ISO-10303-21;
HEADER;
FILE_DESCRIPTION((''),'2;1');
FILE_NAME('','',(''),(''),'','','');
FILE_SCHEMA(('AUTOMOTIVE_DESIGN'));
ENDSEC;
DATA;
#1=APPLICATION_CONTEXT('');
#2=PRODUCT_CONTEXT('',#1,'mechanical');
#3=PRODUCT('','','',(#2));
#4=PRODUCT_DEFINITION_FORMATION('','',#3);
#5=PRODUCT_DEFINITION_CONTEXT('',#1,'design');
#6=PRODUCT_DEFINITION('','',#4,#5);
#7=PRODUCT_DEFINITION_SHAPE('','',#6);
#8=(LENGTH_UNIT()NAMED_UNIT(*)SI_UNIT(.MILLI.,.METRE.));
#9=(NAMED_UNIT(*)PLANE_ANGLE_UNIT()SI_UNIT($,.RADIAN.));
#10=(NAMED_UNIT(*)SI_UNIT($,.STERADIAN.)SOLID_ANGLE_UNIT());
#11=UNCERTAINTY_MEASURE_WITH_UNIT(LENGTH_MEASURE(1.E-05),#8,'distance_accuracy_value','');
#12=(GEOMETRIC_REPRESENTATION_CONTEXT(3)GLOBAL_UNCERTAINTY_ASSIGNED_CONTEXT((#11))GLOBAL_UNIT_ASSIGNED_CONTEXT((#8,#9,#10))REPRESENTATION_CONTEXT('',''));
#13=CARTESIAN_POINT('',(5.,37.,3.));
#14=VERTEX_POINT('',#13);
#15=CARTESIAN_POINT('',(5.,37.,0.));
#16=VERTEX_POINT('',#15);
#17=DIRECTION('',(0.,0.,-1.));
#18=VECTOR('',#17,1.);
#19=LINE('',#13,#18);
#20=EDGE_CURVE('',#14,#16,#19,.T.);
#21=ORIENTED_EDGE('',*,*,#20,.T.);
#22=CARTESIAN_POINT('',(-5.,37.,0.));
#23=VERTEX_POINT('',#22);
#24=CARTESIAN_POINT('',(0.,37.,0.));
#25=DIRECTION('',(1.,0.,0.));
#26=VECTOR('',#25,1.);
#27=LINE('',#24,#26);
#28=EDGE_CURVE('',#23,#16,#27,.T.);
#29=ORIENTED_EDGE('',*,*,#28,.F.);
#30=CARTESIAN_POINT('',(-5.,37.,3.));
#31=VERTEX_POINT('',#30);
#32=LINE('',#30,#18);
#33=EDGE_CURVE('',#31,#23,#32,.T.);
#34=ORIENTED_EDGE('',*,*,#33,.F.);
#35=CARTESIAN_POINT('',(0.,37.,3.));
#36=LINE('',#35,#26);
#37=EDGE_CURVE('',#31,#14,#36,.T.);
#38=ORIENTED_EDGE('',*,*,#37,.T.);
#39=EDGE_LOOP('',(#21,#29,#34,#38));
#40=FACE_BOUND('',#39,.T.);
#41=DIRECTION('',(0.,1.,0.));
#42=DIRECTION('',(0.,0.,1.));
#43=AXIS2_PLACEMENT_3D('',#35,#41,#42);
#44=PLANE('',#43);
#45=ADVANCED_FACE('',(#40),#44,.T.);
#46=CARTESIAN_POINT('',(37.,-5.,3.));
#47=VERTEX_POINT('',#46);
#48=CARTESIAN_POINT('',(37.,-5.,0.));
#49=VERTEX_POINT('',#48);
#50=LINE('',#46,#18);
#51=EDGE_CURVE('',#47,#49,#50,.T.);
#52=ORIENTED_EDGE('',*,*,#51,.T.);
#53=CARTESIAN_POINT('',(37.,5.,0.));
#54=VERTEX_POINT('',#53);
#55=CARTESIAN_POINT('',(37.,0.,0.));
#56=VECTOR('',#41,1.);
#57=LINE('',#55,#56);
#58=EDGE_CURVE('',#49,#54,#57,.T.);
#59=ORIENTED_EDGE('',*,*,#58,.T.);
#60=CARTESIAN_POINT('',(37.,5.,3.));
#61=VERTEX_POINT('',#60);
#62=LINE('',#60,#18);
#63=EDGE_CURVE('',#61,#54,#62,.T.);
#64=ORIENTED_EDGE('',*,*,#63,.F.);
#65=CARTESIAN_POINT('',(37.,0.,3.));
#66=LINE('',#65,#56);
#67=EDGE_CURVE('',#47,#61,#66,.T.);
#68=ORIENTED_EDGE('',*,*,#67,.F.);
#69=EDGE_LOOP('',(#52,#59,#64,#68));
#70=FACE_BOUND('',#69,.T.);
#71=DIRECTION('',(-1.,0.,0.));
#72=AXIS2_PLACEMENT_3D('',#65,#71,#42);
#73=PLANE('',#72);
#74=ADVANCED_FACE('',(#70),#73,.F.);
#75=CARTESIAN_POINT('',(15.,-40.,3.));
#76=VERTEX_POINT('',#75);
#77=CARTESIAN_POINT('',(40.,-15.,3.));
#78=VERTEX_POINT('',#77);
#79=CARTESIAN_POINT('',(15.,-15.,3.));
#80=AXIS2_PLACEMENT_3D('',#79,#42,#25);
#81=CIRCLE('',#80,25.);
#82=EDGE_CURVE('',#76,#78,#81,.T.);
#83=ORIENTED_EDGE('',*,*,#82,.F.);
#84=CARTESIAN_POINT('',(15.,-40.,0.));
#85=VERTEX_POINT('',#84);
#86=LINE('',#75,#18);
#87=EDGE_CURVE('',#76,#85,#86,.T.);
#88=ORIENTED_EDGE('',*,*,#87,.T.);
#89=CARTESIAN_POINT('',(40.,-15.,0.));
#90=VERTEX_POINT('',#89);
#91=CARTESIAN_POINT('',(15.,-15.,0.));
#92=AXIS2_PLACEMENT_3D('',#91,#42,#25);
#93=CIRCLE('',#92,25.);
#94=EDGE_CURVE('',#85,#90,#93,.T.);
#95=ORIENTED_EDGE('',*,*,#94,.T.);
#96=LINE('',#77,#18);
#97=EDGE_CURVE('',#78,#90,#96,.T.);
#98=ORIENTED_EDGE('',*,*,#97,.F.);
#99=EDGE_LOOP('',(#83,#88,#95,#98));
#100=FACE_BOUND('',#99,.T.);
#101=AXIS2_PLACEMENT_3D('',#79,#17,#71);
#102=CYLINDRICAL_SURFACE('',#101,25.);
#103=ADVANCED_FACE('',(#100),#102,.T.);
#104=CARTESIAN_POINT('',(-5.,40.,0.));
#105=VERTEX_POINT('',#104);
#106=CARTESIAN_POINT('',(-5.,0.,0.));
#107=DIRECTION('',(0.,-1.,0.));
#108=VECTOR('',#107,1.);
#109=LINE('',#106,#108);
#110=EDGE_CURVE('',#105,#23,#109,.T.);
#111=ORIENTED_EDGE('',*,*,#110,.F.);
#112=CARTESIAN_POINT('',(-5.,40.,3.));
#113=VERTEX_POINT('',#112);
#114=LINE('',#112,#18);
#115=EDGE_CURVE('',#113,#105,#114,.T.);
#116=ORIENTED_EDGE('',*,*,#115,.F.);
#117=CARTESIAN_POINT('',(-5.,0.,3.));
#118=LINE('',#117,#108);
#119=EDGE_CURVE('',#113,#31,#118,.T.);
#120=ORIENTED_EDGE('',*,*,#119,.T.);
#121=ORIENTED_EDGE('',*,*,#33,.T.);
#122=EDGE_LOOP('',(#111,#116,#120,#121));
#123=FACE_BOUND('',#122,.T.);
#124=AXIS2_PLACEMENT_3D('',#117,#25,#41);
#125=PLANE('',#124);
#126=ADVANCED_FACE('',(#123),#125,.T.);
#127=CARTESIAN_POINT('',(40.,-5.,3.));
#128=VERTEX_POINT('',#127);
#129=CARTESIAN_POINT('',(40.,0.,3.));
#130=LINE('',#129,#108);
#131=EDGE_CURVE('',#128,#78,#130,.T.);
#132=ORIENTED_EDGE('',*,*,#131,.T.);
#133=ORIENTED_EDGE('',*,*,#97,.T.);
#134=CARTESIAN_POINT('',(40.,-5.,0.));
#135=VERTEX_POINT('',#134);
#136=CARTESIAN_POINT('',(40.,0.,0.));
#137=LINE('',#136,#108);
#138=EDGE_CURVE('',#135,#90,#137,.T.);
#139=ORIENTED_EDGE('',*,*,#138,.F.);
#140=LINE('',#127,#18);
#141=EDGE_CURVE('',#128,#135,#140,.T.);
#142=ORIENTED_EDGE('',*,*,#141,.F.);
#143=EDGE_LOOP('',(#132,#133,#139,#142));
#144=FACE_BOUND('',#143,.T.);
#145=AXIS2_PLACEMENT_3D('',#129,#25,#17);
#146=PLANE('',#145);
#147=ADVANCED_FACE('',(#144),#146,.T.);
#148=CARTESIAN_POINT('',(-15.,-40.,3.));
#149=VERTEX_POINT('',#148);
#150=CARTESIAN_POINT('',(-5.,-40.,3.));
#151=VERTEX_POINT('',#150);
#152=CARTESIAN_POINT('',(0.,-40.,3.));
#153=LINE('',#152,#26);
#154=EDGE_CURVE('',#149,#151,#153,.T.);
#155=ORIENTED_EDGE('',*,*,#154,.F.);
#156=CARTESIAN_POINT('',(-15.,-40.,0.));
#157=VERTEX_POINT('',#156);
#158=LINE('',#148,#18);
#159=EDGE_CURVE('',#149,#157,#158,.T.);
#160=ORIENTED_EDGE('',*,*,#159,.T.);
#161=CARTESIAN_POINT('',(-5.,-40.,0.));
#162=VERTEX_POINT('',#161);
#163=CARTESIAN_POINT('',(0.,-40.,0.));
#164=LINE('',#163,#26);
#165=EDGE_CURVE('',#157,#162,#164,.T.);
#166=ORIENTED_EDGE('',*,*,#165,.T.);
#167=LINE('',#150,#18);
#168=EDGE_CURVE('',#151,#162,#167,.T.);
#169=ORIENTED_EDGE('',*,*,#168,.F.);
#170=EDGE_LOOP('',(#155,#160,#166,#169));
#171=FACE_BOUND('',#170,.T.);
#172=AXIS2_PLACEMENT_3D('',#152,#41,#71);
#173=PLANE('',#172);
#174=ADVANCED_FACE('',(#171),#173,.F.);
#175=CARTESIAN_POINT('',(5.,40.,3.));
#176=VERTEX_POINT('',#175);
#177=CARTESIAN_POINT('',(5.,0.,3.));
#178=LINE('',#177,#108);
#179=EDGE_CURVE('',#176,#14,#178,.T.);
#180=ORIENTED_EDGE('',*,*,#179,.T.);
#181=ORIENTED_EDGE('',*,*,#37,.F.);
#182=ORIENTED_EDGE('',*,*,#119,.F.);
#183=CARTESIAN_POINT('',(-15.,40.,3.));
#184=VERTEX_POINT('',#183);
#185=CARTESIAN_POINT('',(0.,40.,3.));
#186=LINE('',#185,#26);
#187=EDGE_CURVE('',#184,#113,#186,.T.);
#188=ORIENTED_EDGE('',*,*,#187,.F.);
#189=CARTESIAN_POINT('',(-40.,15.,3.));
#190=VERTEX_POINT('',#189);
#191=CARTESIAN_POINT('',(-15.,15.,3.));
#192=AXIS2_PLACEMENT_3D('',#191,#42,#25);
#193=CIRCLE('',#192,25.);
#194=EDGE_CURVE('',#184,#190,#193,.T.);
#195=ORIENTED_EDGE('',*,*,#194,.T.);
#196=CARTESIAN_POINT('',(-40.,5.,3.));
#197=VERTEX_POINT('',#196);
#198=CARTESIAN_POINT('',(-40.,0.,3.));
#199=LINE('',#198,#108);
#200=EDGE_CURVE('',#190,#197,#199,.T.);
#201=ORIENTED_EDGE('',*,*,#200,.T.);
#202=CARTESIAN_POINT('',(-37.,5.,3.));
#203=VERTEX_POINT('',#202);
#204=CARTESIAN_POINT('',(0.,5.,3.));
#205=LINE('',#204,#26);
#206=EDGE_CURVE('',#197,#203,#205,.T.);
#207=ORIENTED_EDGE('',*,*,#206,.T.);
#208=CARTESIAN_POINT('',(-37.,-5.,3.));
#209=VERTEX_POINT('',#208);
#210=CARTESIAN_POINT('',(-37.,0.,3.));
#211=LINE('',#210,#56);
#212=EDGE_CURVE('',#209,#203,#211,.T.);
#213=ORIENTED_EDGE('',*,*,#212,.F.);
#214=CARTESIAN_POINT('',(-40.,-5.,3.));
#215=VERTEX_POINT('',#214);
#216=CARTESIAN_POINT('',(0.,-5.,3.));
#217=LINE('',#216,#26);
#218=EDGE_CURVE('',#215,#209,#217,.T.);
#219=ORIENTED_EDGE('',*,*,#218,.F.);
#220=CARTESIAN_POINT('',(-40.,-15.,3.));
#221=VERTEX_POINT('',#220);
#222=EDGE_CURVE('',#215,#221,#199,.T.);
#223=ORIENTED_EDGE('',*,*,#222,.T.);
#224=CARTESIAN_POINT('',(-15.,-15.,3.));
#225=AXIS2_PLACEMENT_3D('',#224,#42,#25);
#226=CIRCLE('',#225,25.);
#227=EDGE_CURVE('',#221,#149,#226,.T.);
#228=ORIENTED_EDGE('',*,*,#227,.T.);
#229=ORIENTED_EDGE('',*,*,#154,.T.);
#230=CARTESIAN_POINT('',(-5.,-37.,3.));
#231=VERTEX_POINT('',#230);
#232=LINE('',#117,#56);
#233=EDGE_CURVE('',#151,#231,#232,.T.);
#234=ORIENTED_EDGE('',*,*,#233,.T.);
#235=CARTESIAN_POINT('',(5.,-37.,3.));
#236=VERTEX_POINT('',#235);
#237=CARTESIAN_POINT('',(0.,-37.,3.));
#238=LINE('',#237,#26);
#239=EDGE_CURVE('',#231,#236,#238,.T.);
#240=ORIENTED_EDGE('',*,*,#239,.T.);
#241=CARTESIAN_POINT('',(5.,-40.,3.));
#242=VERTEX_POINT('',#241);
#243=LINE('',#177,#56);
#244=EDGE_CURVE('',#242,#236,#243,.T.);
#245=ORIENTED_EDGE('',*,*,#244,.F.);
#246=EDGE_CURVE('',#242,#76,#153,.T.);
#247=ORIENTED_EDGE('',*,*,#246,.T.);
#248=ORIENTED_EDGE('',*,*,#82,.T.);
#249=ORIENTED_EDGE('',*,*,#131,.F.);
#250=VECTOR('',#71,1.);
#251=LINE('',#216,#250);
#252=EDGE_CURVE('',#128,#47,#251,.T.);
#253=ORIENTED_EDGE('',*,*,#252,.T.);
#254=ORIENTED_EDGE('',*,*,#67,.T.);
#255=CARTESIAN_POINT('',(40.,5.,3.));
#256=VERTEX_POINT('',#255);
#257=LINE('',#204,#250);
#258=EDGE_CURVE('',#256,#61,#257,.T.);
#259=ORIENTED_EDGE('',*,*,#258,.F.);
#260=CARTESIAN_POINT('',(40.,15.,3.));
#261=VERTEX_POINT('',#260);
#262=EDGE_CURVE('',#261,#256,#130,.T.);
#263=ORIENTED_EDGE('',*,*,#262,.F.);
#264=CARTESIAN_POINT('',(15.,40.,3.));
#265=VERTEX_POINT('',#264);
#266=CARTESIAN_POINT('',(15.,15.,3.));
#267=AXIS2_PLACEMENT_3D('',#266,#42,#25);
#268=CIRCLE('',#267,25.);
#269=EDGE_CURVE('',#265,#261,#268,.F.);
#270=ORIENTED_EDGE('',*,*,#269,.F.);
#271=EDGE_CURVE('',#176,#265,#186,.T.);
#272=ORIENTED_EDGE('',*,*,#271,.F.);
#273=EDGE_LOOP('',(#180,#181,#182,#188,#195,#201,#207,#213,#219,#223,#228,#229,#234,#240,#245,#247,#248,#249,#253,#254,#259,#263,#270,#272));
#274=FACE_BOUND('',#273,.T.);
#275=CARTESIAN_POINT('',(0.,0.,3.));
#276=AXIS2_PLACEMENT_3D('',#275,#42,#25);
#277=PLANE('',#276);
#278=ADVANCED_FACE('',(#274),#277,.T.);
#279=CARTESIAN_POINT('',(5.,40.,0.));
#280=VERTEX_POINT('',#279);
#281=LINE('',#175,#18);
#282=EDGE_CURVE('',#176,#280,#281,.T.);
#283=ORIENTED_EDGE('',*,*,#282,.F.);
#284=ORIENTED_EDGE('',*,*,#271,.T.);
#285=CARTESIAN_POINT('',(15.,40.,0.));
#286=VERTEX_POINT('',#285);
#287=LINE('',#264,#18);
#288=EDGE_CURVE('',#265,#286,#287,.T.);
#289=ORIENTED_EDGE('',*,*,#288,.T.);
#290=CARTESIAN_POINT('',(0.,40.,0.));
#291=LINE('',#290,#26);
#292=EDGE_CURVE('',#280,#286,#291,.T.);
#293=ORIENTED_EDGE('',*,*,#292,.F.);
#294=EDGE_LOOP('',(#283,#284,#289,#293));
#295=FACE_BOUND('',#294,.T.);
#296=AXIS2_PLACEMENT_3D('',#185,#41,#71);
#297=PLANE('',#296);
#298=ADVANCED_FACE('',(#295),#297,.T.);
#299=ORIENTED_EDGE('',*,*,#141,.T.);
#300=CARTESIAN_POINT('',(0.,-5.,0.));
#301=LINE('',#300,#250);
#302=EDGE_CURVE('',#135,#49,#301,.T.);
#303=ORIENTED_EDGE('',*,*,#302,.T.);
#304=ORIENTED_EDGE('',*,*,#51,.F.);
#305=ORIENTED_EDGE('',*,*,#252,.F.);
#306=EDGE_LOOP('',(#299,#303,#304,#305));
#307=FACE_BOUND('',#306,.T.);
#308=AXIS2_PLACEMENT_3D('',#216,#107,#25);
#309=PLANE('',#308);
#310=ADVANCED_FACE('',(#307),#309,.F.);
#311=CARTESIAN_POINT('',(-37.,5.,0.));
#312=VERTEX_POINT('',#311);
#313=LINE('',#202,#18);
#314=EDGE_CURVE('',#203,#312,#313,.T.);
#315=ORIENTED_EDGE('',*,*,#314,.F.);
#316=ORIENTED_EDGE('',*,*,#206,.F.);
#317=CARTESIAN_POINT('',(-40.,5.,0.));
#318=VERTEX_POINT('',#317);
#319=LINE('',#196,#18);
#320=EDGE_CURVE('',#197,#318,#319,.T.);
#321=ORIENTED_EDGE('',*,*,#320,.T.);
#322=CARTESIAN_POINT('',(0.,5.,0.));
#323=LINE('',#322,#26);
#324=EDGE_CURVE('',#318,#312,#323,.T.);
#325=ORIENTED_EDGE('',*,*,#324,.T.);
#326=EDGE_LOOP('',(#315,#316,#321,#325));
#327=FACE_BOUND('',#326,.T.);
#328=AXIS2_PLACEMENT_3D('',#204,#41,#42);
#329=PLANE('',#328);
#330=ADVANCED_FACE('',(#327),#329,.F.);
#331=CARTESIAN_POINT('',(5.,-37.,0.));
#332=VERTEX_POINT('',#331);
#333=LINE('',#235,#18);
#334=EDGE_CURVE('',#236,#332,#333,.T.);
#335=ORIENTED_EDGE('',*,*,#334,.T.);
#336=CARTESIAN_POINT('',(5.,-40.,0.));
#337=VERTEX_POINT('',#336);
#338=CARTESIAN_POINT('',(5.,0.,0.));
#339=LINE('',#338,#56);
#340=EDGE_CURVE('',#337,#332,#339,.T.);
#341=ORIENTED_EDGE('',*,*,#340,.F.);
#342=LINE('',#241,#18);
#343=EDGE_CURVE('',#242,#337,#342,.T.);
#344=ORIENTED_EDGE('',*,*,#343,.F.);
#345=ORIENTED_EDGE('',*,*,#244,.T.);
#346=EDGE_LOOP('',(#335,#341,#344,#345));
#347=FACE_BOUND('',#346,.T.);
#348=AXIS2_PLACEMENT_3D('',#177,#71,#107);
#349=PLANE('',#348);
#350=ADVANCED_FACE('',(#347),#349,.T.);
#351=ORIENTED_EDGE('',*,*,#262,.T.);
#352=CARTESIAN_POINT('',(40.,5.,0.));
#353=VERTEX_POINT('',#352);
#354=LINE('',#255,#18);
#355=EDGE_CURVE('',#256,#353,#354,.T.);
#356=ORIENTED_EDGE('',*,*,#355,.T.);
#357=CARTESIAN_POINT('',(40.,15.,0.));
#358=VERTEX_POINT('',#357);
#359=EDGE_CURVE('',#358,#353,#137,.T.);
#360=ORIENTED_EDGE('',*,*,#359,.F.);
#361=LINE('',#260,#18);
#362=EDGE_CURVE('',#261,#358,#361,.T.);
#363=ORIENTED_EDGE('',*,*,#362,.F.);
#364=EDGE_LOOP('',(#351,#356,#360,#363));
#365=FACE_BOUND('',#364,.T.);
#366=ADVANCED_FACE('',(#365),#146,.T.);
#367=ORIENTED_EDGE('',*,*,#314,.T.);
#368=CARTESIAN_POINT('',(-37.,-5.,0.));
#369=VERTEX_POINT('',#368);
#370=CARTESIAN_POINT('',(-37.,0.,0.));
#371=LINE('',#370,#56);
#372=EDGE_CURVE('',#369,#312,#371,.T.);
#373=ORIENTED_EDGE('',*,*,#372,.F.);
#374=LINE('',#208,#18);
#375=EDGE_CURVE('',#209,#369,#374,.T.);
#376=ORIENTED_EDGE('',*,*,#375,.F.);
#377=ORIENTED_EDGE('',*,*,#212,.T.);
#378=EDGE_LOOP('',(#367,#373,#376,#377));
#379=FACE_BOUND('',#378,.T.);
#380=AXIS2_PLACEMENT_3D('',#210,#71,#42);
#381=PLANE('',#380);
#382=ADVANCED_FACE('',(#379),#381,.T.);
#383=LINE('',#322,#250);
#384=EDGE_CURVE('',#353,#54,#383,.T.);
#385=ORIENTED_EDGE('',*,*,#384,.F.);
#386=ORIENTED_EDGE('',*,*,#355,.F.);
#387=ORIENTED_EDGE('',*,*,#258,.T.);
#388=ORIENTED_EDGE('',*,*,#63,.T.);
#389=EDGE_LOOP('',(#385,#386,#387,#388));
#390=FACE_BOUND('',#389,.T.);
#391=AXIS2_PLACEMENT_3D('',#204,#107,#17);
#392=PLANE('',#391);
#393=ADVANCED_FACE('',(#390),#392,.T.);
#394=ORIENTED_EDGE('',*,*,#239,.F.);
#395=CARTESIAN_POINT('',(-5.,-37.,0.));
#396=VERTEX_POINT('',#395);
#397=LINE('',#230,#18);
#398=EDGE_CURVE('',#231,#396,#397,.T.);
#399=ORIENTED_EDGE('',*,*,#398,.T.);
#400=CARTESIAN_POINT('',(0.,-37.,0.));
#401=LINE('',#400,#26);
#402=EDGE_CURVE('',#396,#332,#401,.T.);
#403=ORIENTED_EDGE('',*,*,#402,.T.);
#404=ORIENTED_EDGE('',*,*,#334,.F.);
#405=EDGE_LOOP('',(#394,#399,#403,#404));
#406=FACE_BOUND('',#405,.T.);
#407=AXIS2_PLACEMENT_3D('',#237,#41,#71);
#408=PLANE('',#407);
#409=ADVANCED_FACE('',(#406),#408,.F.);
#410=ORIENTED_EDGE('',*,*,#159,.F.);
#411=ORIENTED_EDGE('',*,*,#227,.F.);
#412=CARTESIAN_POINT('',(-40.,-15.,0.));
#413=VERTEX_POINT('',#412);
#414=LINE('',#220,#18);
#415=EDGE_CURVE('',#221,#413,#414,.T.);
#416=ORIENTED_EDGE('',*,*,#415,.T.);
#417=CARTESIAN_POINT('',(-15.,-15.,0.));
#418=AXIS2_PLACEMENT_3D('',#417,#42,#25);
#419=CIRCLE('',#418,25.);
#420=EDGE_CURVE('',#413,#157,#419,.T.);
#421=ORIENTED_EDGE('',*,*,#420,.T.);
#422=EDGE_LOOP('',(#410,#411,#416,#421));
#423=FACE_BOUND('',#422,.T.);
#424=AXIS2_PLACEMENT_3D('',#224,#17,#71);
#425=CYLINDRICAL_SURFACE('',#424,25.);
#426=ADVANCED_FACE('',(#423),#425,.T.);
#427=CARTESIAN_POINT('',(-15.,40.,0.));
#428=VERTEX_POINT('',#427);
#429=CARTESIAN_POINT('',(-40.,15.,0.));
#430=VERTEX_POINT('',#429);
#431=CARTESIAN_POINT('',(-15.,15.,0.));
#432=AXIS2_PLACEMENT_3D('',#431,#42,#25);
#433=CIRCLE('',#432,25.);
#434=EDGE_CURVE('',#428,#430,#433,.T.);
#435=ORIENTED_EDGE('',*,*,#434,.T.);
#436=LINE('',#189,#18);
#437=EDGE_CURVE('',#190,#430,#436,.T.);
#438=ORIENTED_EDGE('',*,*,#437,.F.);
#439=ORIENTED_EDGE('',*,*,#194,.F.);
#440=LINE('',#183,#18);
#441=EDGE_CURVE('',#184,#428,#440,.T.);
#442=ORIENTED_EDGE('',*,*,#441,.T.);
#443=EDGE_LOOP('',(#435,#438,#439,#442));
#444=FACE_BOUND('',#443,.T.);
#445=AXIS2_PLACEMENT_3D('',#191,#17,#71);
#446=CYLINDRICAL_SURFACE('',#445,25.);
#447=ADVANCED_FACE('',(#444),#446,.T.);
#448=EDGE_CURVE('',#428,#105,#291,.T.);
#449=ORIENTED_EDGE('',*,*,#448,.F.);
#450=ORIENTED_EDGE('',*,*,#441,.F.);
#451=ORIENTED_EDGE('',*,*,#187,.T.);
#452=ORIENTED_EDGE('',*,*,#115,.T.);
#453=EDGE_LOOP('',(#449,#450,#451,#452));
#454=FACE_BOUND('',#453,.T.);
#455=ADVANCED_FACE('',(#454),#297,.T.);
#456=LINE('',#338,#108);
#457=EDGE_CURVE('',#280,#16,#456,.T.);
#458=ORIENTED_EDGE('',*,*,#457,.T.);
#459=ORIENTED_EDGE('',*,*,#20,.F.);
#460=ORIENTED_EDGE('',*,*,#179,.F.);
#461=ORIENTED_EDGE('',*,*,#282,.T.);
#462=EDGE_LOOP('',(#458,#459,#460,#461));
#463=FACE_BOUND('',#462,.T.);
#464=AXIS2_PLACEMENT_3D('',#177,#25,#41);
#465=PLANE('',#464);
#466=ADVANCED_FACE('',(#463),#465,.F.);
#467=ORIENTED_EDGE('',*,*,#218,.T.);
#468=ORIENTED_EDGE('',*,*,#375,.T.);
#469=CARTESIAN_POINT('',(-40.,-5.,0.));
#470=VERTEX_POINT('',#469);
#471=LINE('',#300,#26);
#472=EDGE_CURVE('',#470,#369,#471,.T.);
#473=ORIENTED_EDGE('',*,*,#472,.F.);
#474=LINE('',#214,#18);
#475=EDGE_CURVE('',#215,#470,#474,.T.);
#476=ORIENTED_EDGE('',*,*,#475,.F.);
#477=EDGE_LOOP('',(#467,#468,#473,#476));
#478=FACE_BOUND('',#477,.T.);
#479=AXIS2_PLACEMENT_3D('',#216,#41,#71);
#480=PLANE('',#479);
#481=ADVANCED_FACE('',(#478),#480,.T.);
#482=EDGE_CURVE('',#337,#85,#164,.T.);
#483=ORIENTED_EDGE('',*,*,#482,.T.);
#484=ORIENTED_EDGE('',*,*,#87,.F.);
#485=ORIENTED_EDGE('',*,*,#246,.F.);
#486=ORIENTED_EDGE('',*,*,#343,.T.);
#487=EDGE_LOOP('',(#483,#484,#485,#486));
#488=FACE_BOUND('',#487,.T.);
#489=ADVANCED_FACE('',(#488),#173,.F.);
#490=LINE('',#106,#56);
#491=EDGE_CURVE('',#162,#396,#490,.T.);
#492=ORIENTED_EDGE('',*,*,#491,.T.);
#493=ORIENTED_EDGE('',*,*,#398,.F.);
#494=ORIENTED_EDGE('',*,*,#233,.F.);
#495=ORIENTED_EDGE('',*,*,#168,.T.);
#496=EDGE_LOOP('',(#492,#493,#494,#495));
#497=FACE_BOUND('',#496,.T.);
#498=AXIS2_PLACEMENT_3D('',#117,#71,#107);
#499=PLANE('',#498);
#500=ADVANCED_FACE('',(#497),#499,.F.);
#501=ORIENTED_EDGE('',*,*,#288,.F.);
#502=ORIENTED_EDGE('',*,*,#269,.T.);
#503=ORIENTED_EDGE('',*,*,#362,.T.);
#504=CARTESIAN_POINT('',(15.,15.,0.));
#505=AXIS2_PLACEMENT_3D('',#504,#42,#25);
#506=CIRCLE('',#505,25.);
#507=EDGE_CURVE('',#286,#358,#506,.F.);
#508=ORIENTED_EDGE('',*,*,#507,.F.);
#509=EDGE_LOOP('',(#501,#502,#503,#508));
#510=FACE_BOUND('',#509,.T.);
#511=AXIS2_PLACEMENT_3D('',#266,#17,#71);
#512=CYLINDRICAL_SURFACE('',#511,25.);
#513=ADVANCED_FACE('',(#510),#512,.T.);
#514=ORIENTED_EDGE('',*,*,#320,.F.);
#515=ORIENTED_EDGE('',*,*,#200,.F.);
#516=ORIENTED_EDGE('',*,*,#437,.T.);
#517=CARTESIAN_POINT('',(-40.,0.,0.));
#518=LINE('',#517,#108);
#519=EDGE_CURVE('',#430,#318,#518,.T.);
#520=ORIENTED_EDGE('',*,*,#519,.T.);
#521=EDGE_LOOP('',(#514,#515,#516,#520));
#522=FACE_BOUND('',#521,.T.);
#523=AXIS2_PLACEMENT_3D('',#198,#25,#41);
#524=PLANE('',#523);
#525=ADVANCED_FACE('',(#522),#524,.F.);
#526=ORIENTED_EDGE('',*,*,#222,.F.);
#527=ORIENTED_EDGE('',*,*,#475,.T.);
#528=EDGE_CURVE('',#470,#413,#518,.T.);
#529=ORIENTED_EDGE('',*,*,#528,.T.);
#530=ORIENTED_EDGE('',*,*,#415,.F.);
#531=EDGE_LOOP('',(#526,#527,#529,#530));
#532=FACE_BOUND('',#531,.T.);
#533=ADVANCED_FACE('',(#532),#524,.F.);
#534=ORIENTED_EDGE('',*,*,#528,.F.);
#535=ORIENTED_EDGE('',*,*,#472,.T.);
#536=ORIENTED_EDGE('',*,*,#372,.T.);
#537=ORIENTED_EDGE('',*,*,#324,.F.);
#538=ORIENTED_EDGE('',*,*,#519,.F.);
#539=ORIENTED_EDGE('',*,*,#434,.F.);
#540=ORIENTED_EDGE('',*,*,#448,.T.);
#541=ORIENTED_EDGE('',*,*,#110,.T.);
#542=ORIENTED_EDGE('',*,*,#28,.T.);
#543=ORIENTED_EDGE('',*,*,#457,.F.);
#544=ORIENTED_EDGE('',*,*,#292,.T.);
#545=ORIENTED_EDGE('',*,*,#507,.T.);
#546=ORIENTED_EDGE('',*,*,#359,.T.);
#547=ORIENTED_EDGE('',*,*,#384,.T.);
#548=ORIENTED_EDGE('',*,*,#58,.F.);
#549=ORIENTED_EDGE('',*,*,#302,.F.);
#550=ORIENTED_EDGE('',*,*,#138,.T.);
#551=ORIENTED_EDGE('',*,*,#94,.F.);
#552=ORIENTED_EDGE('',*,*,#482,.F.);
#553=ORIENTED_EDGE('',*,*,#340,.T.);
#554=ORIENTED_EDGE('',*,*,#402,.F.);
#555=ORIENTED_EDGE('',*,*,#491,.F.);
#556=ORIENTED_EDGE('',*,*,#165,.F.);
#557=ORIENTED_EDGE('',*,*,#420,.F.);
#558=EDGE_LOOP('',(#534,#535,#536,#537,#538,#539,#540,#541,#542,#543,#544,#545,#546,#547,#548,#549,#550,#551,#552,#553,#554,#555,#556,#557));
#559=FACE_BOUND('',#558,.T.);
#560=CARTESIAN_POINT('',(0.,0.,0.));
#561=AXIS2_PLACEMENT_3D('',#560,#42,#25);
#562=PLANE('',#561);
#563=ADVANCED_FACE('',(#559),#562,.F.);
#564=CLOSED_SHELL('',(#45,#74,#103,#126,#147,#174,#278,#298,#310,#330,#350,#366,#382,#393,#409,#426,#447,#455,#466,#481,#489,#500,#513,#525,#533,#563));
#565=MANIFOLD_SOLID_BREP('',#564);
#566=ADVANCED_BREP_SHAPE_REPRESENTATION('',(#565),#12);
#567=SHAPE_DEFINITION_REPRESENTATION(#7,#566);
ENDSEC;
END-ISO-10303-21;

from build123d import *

# Parameters (mm, degrees)
EXTRUDE_1_DEPTH = 3


with BuildPart() as part:
    # 草圖1 → 填料-伸長1 (new body)
    with BuildSketch(Plane.XY):
        with BuildLine():
            Line((-5, 40), (-15, 40))
            ThreePointArc((-15, 40), (-32.67766953, 32.67766953), (-40, 15))
            Line((-40, 15), (-40, 5))
            Line((-40, 5), (-37, 5))
            Line((-37, 5), (-37, -5))
            Line((-37, -5), (-40, -5))
            Line((-40, -5), (-40, -15))
            ThreePointArc((-40, -15), (-32.67766953, -32.67766953), (-15, -40))
            Line((-15, -40), (-5, -40))
            Line((-5, -40), (-5, -37))
            Line((-5, -37), (5, -37))
            Line((5, -37), (5, -40))
            Line((5, -40), (15, -40))
            ThreePointArc((15, -40), (32.67766953, -32.67766953), (40, -15))
            Line((40, -15), (40, -5))
            Line((40, -5), (37, -5))
            Line((37, -5), (37, 5))
            Line((37, 5), (40, 5))
            Line((40, 5), (40, 15))
            ThreePointArc((40, 15), (32.67766953, 32.67766953), (15, 40))
            Line((15, 40), (5, 40))
            Line((5, 40), (5, 37))
            Line((5, 37), (-5, 37))
            Line((-5, 37), (-5, 40))
        make_face()
    extrude(amount=EXTRUDE_1_DEPTH)


solid = part.part
